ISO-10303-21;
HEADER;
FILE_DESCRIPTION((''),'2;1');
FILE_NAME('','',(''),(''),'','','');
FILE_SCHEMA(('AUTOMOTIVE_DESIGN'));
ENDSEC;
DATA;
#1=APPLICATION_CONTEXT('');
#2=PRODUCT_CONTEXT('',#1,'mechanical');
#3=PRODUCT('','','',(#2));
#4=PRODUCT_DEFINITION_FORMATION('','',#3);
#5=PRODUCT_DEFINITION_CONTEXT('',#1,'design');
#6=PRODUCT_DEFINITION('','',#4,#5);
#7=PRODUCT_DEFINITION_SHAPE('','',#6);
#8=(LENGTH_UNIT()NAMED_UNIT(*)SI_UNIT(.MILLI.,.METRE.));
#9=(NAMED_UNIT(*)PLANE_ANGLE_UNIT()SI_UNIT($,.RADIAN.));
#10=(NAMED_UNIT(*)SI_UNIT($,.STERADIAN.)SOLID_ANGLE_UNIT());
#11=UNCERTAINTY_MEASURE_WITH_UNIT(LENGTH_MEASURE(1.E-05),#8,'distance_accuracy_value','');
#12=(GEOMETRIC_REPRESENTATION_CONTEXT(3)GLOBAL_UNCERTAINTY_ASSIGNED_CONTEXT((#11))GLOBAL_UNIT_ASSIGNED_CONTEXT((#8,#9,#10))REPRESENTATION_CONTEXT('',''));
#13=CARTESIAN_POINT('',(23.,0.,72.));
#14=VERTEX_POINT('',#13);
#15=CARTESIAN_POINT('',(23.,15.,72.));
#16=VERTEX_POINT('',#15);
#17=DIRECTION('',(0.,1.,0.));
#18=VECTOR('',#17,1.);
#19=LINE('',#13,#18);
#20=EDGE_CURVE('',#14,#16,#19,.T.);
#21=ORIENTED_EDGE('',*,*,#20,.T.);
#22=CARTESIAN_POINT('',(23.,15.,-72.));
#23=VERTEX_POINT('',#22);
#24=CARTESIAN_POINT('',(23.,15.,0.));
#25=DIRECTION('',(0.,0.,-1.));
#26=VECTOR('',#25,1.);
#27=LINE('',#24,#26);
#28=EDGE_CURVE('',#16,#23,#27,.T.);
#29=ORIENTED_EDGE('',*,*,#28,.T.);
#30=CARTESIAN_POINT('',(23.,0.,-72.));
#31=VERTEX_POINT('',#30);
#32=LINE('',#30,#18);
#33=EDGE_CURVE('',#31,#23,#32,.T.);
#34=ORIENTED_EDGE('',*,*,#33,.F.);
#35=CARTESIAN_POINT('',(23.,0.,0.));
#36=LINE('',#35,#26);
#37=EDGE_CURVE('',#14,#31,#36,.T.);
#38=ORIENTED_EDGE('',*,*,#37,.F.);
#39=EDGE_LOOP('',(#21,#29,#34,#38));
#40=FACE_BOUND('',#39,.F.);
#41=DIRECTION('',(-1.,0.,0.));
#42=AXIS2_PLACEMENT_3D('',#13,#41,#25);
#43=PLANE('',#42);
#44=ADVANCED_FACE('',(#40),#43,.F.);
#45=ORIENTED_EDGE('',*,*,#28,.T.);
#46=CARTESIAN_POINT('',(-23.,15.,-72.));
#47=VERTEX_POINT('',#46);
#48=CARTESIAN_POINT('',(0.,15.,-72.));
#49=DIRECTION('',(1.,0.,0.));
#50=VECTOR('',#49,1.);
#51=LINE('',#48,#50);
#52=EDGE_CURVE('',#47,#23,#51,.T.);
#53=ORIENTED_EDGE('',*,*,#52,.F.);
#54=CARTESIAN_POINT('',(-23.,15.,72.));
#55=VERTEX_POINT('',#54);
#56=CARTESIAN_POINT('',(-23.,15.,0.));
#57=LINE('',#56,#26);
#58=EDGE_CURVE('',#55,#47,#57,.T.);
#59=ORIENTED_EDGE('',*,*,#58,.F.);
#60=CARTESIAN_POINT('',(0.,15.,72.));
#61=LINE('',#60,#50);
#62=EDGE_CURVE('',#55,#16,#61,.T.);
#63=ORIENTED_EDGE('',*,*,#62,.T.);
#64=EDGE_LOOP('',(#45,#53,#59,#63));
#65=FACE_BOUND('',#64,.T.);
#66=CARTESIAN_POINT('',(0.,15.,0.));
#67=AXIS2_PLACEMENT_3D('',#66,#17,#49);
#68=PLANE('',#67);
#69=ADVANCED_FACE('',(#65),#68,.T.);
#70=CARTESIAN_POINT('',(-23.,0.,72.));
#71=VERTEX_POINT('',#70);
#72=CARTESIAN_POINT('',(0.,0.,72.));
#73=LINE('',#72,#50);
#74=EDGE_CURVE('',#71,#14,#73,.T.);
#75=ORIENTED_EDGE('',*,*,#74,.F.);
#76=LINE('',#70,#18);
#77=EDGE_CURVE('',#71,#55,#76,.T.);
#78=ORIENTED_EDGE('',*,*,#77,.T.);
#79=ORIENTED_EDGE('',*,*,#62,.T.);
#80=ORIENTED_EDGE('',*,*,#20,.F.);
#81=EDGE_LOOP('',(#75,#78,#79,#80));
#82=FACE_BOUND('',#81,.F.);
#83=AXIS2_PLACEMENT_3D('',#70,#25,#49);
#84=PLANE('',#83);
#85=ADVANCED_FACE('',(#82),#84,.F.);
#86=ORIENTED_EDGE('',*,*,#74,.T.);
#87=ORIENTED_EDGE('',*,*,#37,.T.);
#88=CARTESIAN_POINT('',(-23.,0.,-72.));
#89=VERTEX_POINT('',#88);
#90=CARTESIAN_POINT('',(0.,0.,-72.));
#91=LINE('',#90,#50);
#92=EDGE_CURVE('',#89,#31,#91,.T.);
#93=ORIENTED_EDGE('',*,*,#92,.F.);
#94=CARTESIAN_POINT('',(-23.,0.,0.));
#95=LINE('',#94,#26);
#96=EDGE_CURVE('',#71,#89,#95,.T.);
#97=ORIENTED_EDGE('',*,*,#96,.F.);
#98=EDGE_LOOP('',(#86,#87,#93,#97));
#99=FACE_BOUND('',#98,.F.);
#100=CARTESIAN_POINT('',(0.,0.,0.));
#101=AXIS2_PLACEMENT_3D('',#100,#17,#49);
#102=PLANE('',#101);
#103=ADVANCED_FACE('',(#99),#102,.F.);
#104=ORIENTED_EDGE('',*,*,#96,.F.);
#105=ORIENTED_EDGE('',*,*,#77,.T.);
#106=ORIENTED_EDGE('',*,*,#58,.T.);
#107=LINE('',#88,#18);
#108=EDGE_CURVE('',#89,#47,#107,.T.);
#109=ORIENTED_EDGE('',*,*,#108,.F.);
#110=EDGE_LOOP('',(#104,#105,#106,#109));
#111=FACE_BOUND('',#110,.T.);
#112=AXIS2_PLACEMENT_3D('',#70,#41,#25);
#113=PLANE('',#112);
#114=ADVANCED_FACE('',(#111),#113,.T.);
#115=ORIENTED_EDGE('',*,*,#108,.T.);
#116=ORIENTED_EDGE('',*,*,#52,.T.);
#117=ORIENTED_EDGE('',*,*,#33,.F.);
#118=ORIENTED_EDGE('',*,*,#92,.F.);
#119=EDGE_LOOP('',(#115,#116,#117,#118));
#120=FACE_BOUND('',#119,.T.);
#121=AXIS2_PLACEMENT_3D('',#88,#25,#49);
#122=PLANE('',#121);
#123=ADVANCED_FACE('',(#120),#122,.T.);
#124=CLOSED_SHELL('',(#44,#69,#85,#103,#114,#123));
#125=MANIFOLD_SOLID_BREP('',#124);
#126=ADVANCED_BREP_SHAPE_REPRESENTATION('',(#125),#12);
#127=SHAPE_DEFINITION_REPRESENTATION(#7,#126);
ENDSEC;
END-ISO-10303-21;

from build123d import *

# Parameters (mm, degrees)
SKETCH1_W  = 46
SKETCH1_H  = 144
CELL_DEPTH = 15


with BuildPart() as part:
    # Sketch1 → cell (new body)
    with BuildSketch(Plane(origin=(0, 0, 0), x_dir=(1, 0, 0), z_dir=(0, 1, 0))):
        Rectangle(SKETCH1_W, SKETCH1_H)
    extrude(amount=CELL_DEPTH)


solid = part.part
